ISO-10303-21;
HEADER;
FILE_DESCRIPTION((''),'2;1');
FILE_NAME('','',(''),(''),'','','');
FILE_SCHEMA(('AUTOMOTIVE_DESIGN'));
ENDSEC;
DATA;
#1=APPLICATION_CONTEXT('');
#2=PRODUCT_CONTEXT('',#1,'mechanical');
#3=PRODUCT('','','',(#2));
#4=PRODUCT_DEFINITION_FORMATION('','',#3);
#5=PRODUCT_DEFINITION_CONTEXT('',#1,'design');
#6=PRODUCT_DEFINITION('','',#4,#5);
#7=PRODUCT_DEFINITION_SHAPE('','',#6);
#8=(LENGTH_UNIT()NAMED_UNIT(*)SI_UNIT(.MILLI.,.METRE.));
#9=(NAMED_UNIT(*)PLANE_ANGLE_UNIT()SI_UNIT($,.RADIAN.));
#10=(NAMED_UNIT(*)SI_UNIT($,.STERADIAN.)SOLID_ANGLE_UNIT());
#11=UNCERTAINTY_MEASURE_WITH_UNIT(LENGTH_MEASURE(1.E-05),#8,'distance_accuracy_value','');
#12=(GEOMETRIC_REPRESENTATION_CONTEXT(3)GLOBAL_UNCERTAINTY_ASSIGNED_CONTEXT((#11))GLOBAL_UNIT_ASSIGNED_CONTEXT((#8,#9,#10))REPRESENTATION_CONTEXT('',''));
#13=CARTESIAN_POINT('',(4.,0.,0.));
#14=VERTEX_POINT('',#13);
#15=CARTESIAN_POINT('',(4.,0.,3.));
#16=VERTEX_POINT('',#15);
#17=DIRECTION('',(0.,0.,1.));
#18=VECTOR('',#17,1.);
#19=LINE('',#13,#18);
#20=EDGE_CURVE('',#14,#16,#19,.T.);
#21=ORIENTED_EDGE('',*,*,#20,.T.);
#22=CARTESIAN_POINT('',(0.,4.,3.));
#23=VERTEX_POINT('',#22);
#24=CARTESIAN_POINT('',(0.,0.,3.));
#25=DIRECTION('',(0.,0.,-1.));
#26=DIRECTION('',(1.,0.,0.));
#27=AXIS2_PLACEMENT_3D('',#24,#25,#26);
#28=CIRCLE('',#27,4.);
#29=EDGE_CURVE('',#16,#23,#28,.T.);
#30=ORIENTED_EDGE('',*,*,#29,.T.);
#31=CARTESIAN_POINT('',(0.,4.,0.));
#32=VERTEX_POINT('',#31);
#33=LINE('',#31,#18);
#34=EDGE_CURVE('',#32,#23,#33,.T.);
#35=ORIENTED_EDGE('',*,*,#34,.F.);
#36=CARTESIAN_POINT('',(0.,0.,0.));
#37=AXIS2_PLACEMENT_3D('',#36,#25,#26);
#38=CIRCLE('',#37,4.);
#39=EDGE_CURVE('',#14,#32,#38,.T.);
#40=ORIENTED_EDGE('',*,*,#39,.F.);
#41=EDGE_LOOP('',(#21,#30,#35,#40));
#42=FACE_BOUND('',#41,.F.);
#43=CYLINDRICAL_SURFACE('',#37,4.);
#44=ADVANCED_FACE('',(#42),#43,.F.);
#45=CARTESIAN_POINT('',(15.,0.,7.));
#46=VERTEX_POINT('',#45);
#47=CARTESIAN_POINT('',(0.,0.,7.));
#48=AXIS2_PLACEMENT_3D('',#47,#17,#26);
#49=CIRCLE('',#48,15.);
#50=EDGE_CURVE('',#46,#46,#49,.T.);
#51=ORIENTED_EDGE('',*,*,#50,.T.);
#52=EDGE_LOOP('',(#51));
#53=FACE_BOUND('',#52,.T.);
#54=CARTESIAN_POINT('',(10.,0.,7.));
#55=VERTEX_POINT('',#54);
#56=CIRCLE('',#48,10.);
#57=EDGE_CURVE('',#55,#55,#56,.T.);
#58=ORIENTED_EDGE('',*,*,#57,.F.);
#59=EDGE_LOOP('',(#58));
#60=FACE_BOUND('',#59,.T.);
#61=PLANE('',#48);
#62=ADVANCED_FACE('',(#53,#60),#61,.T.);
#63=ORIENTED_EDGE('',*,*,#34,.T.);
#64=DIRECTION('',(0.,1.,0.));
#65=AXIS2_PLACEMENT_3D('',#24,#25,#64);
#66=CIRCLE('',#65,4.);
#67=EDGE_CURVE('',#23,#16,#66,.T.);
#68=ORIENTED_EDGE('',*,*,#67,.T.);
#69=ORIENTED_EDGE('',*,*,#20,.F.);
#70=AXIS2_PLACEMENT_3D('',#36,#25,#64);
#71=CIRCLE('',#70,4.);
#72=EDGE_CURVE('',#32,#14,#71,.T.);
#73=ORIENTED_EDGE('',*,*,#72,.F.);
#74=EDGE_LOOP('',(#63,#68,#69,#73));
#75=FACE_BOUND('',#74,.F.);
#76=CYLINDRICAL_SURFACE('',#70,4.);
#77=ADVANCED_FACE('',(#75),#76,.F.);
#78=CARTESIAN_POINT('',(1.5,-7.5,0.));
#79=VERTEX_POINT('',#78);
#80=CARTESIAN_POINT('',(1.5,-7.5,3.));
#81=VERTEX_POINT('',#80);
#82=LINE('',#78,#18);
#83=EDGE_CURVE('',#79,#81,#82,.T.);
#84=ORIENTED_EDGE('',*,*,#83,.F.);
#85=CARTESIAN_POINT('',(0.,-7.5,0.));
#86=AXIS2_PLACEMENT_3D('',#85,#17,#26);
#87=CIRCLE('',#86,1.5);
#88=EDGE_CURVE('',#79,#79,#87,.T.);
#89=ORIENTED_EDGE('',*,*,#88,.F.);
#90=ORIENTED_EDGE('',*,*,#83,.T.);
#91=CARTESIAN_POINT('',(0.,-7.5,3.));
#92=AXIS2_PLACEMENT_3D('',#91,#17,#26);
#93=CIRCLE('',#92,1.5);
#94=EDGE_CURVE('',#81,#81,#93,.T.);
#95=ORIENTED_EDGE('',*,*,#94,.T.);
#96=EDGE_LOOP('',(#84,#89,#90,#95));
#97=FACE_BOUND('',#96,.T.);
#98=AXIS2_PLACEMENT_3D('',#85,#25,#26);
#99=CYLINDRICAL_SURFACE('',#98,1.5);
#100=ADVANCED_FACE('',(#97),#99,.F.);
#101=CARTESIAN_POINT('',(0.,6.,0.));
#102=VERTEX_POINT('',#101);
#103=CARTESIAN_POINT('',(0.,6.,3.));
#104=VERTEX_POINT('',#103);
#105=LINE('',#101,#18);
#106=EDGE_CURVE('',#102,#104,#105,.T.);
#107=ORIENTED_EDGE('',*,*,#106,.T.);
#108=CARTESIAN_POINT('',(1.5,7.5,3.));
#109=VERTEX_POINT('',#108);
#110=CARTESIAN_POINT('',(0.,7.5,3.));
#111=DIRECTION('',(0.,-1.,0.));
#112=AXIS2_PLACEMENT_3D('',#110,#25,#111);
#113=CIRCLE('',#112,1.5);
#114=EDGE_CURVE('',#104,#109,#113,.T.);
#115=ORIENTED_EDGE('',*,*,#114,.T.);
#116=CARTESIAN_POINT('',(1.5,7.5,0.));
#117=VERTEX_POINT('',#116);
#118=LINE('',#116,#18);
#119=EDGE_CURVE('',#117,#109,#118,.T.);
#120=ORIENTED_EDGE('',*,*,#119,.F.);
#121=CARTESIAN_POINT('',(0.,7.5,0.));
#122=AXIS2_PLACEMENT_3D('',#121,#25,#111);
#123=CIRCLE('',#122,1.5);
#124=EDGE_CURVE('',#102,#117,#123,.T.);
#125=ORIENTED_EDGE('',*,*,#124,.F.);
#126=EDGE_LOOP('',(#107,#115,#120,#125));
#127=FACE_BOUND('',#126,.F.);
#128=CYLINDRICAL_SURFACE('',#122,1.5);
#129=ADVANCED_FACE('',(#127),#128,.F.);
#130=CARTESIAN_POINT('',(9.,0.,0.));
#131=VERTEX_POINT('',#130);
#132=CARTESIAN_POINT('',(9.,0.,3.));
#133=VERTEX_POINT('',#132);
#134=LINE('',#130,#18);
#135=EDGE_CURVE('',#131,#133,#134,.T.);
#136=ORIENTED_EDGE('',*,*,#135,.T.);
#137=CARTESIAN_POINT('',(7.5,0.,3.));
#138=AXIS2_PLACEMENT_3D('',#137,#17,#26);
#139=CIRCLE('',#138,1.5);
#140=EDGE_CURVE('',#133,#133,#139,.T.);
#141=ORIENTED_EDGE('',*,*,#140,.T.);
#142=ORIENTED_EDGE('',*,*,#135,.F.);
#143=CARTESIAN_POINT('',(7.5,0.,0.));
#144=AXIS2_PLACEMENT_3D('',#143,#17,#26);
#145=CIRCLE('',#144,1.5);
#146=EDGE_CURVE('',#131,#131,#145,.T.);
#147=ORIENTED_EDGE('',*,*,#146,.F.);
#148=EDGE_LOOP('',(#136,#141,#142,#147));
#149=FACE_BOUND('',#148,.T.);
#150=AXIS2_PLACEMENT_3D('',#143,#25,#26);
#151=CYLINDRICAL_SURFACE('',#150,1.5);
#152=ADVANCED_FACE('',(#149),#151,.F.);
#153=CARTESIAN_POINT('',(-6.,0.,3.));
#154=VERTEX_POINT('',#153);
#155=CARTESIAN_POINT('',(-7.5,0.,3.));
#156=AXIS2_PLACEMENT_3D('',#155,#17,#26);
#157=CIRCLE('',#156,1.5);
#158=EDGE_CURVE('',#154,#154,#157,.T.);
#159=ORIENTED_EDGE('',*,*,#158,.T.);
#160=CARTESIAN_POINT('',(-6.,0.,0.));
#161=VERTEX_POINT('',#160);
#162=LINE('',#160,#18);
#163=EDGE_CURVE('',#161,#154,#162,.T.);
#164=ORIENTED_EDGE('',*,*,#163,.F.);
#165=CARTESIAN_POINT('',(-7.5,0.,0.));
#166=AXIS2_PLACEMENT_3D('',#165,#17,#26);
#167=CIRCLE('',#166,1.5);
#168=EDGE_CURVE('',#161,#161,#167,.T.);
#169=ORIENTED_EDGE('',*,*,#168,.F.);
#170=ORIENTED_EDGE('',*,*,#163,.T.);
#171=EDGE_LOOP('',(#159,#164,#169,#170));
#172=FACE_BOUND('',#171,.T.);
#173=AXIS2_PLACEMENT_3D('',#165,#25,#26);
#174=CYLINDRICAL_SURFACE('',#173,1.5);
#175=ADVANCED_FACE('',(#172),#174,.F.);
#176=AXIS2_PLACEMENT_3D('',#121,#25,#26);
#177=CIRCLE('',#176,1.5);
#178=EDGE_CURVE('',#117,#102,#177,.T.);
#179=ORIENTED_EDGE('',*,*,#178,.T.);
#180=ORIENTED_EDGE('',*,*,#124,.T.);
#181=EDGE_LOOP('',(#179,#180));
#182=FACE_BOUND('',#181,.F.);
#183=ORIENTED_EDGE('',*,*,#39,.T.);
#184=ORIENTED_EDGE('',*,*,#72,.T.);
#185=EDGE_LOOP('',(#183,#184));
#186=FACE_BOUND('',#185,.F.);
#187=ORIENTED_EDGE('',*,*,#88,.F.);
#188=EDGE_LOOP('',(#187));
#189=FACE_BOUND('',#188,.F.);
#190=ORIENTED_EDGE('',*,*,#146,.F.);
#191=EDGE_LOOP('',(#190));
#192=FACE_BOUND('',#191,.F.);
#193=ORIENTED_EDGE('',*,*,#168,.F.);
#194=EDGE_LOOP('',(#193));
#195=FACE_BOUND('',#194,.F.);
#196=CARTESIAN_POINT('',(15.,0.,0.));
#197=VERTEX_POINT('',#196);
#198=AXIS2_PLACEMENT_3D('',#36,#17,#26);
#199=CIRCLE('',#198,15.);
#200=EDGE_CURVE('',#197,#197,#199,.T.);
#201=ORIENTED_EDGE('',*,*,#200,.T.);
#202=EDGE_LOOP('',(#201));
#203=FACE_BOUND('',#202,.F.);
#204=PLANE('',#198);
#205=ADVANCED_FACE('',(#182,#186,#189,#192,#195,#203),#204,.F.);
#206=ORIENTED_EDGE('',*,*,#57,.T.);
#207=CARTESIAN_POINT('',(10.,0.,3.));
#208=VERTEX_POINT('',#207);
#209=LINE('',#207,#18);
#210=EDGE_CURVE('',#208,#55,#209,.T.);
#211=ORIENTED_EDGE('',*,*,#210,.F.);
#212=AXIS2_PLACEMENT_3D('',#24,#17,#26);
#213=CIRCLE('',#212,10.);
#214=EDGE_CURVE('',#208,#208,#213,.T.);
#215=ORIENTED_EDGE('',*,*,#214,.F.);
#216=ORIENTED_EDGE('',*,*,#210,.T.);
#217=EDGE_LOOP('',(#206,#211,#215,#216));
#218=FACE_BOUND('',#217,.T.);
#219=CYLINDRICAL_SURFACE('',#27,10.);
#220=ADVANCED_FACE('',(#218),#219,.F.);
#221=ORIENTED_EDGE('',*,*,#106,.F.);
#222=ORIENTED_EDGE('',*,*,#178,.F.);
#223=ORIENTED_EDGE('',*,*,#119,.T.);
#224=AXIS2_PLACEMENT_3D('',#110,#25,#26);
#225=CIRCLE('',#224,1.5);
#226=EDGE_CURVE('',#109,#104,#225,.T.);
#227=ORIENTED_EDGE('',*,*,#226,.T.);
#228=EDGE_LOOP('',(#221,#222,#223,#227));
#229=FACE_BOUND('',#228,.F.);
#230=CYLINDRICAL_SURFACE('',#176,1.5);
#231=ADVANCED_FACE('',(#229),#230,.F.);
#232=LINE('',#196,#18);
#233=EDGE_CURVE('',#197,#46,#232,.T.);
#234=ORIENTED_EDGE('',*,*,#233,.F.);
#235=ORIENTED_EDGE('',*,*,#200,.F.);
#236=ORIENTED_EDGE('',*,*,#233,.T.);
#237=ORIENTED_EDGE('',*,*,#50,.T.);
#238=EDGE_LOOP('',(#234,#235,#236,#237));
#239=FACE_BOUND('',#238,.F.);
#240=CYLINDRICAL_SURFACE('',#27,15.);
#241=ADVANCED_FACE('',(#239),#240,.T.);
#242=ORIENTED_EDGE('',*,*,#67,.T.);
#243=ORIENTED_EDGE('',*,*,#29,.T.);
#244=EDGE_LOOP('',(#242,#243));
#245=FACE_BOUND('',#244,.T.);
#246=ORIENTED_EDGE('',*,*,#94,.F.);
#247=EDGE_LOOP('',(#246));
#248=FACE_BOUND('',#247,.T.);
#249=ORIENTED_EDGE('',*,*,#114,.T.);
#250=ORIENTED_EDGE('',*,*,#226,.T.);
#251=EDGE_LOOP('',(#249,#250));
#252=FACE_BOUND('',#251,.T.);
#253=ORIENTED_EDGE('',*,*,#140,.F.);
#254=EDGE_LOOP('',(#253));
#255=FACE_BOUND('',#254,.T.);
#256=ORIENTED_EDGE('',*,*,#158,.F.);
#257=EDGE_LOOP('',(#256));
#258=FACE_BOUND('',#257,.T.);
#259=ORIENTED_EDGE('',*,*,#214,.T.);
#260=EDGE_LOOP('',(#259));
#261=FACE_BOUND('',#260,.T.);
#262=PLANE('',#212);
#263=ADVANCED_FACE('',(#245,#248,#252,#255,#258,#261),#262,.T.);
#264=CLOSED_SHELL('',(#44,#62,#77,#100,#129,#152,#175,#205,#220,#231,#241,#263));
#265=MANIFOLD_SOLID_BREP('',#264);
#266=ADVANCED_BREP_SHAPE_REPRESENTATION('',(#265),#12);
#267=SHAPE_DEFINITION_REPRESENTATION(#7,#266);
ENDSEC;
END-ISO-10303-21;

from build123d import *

# Parameters (mm, degrees)
F0_R     = 15
F0_R_2   = 1.5
F1_DEPTH = 3
F2_R     = 15
F2_R_2   = 10
F3_DEPTH = 4


with BuildPart() as f1:
    # F0 (on Top) → F1 (new body)
    with BuildSketch(Plane.XY):
        Circle(F0_R)
        with Locations((0, -7.5)):
            Circle(F0_R_2, mode=Mode.SUBTRACT)
        with Locations((-7.5, 0)):
            Circle(F0_R_2, mode=Mode.SUBTRACT)
        with BuildLine():
            ThreePointArc((4, 0), (-2.8284271247, -2.8284271247), (0, 4))
            ThreePointArc((0, 4), (2.8284271247, 2.8284271247), (4, 0))
        make_face(mode=Mode.SUBTRACT)
        with Locations((7.5, 0)):
            Circle(F0_R_2, mode=Mode.SUBTRACT)
        with BuildLine():
            ThreePointArc((1.5, 7.5), (1.0606601718, 6.4393398282), (0, 6))
            ThreePointArc((0, 6), (-1.0606601718, 8.5606601718), (1.5, 7.5))
        make_face(mode=Mode.SUBTRACT)
    extrude(amount=F1_DEPTH)

    # F2 (on face) → F3 (join)
    with BuildSketch(Plane.XY.offset(3)):
        Circle(F2_R)
        Circle(F2_R_2, mode=Mode.SUBTRACT)
    extrude(amount=F3_DEPTH)


solid = f1.part
